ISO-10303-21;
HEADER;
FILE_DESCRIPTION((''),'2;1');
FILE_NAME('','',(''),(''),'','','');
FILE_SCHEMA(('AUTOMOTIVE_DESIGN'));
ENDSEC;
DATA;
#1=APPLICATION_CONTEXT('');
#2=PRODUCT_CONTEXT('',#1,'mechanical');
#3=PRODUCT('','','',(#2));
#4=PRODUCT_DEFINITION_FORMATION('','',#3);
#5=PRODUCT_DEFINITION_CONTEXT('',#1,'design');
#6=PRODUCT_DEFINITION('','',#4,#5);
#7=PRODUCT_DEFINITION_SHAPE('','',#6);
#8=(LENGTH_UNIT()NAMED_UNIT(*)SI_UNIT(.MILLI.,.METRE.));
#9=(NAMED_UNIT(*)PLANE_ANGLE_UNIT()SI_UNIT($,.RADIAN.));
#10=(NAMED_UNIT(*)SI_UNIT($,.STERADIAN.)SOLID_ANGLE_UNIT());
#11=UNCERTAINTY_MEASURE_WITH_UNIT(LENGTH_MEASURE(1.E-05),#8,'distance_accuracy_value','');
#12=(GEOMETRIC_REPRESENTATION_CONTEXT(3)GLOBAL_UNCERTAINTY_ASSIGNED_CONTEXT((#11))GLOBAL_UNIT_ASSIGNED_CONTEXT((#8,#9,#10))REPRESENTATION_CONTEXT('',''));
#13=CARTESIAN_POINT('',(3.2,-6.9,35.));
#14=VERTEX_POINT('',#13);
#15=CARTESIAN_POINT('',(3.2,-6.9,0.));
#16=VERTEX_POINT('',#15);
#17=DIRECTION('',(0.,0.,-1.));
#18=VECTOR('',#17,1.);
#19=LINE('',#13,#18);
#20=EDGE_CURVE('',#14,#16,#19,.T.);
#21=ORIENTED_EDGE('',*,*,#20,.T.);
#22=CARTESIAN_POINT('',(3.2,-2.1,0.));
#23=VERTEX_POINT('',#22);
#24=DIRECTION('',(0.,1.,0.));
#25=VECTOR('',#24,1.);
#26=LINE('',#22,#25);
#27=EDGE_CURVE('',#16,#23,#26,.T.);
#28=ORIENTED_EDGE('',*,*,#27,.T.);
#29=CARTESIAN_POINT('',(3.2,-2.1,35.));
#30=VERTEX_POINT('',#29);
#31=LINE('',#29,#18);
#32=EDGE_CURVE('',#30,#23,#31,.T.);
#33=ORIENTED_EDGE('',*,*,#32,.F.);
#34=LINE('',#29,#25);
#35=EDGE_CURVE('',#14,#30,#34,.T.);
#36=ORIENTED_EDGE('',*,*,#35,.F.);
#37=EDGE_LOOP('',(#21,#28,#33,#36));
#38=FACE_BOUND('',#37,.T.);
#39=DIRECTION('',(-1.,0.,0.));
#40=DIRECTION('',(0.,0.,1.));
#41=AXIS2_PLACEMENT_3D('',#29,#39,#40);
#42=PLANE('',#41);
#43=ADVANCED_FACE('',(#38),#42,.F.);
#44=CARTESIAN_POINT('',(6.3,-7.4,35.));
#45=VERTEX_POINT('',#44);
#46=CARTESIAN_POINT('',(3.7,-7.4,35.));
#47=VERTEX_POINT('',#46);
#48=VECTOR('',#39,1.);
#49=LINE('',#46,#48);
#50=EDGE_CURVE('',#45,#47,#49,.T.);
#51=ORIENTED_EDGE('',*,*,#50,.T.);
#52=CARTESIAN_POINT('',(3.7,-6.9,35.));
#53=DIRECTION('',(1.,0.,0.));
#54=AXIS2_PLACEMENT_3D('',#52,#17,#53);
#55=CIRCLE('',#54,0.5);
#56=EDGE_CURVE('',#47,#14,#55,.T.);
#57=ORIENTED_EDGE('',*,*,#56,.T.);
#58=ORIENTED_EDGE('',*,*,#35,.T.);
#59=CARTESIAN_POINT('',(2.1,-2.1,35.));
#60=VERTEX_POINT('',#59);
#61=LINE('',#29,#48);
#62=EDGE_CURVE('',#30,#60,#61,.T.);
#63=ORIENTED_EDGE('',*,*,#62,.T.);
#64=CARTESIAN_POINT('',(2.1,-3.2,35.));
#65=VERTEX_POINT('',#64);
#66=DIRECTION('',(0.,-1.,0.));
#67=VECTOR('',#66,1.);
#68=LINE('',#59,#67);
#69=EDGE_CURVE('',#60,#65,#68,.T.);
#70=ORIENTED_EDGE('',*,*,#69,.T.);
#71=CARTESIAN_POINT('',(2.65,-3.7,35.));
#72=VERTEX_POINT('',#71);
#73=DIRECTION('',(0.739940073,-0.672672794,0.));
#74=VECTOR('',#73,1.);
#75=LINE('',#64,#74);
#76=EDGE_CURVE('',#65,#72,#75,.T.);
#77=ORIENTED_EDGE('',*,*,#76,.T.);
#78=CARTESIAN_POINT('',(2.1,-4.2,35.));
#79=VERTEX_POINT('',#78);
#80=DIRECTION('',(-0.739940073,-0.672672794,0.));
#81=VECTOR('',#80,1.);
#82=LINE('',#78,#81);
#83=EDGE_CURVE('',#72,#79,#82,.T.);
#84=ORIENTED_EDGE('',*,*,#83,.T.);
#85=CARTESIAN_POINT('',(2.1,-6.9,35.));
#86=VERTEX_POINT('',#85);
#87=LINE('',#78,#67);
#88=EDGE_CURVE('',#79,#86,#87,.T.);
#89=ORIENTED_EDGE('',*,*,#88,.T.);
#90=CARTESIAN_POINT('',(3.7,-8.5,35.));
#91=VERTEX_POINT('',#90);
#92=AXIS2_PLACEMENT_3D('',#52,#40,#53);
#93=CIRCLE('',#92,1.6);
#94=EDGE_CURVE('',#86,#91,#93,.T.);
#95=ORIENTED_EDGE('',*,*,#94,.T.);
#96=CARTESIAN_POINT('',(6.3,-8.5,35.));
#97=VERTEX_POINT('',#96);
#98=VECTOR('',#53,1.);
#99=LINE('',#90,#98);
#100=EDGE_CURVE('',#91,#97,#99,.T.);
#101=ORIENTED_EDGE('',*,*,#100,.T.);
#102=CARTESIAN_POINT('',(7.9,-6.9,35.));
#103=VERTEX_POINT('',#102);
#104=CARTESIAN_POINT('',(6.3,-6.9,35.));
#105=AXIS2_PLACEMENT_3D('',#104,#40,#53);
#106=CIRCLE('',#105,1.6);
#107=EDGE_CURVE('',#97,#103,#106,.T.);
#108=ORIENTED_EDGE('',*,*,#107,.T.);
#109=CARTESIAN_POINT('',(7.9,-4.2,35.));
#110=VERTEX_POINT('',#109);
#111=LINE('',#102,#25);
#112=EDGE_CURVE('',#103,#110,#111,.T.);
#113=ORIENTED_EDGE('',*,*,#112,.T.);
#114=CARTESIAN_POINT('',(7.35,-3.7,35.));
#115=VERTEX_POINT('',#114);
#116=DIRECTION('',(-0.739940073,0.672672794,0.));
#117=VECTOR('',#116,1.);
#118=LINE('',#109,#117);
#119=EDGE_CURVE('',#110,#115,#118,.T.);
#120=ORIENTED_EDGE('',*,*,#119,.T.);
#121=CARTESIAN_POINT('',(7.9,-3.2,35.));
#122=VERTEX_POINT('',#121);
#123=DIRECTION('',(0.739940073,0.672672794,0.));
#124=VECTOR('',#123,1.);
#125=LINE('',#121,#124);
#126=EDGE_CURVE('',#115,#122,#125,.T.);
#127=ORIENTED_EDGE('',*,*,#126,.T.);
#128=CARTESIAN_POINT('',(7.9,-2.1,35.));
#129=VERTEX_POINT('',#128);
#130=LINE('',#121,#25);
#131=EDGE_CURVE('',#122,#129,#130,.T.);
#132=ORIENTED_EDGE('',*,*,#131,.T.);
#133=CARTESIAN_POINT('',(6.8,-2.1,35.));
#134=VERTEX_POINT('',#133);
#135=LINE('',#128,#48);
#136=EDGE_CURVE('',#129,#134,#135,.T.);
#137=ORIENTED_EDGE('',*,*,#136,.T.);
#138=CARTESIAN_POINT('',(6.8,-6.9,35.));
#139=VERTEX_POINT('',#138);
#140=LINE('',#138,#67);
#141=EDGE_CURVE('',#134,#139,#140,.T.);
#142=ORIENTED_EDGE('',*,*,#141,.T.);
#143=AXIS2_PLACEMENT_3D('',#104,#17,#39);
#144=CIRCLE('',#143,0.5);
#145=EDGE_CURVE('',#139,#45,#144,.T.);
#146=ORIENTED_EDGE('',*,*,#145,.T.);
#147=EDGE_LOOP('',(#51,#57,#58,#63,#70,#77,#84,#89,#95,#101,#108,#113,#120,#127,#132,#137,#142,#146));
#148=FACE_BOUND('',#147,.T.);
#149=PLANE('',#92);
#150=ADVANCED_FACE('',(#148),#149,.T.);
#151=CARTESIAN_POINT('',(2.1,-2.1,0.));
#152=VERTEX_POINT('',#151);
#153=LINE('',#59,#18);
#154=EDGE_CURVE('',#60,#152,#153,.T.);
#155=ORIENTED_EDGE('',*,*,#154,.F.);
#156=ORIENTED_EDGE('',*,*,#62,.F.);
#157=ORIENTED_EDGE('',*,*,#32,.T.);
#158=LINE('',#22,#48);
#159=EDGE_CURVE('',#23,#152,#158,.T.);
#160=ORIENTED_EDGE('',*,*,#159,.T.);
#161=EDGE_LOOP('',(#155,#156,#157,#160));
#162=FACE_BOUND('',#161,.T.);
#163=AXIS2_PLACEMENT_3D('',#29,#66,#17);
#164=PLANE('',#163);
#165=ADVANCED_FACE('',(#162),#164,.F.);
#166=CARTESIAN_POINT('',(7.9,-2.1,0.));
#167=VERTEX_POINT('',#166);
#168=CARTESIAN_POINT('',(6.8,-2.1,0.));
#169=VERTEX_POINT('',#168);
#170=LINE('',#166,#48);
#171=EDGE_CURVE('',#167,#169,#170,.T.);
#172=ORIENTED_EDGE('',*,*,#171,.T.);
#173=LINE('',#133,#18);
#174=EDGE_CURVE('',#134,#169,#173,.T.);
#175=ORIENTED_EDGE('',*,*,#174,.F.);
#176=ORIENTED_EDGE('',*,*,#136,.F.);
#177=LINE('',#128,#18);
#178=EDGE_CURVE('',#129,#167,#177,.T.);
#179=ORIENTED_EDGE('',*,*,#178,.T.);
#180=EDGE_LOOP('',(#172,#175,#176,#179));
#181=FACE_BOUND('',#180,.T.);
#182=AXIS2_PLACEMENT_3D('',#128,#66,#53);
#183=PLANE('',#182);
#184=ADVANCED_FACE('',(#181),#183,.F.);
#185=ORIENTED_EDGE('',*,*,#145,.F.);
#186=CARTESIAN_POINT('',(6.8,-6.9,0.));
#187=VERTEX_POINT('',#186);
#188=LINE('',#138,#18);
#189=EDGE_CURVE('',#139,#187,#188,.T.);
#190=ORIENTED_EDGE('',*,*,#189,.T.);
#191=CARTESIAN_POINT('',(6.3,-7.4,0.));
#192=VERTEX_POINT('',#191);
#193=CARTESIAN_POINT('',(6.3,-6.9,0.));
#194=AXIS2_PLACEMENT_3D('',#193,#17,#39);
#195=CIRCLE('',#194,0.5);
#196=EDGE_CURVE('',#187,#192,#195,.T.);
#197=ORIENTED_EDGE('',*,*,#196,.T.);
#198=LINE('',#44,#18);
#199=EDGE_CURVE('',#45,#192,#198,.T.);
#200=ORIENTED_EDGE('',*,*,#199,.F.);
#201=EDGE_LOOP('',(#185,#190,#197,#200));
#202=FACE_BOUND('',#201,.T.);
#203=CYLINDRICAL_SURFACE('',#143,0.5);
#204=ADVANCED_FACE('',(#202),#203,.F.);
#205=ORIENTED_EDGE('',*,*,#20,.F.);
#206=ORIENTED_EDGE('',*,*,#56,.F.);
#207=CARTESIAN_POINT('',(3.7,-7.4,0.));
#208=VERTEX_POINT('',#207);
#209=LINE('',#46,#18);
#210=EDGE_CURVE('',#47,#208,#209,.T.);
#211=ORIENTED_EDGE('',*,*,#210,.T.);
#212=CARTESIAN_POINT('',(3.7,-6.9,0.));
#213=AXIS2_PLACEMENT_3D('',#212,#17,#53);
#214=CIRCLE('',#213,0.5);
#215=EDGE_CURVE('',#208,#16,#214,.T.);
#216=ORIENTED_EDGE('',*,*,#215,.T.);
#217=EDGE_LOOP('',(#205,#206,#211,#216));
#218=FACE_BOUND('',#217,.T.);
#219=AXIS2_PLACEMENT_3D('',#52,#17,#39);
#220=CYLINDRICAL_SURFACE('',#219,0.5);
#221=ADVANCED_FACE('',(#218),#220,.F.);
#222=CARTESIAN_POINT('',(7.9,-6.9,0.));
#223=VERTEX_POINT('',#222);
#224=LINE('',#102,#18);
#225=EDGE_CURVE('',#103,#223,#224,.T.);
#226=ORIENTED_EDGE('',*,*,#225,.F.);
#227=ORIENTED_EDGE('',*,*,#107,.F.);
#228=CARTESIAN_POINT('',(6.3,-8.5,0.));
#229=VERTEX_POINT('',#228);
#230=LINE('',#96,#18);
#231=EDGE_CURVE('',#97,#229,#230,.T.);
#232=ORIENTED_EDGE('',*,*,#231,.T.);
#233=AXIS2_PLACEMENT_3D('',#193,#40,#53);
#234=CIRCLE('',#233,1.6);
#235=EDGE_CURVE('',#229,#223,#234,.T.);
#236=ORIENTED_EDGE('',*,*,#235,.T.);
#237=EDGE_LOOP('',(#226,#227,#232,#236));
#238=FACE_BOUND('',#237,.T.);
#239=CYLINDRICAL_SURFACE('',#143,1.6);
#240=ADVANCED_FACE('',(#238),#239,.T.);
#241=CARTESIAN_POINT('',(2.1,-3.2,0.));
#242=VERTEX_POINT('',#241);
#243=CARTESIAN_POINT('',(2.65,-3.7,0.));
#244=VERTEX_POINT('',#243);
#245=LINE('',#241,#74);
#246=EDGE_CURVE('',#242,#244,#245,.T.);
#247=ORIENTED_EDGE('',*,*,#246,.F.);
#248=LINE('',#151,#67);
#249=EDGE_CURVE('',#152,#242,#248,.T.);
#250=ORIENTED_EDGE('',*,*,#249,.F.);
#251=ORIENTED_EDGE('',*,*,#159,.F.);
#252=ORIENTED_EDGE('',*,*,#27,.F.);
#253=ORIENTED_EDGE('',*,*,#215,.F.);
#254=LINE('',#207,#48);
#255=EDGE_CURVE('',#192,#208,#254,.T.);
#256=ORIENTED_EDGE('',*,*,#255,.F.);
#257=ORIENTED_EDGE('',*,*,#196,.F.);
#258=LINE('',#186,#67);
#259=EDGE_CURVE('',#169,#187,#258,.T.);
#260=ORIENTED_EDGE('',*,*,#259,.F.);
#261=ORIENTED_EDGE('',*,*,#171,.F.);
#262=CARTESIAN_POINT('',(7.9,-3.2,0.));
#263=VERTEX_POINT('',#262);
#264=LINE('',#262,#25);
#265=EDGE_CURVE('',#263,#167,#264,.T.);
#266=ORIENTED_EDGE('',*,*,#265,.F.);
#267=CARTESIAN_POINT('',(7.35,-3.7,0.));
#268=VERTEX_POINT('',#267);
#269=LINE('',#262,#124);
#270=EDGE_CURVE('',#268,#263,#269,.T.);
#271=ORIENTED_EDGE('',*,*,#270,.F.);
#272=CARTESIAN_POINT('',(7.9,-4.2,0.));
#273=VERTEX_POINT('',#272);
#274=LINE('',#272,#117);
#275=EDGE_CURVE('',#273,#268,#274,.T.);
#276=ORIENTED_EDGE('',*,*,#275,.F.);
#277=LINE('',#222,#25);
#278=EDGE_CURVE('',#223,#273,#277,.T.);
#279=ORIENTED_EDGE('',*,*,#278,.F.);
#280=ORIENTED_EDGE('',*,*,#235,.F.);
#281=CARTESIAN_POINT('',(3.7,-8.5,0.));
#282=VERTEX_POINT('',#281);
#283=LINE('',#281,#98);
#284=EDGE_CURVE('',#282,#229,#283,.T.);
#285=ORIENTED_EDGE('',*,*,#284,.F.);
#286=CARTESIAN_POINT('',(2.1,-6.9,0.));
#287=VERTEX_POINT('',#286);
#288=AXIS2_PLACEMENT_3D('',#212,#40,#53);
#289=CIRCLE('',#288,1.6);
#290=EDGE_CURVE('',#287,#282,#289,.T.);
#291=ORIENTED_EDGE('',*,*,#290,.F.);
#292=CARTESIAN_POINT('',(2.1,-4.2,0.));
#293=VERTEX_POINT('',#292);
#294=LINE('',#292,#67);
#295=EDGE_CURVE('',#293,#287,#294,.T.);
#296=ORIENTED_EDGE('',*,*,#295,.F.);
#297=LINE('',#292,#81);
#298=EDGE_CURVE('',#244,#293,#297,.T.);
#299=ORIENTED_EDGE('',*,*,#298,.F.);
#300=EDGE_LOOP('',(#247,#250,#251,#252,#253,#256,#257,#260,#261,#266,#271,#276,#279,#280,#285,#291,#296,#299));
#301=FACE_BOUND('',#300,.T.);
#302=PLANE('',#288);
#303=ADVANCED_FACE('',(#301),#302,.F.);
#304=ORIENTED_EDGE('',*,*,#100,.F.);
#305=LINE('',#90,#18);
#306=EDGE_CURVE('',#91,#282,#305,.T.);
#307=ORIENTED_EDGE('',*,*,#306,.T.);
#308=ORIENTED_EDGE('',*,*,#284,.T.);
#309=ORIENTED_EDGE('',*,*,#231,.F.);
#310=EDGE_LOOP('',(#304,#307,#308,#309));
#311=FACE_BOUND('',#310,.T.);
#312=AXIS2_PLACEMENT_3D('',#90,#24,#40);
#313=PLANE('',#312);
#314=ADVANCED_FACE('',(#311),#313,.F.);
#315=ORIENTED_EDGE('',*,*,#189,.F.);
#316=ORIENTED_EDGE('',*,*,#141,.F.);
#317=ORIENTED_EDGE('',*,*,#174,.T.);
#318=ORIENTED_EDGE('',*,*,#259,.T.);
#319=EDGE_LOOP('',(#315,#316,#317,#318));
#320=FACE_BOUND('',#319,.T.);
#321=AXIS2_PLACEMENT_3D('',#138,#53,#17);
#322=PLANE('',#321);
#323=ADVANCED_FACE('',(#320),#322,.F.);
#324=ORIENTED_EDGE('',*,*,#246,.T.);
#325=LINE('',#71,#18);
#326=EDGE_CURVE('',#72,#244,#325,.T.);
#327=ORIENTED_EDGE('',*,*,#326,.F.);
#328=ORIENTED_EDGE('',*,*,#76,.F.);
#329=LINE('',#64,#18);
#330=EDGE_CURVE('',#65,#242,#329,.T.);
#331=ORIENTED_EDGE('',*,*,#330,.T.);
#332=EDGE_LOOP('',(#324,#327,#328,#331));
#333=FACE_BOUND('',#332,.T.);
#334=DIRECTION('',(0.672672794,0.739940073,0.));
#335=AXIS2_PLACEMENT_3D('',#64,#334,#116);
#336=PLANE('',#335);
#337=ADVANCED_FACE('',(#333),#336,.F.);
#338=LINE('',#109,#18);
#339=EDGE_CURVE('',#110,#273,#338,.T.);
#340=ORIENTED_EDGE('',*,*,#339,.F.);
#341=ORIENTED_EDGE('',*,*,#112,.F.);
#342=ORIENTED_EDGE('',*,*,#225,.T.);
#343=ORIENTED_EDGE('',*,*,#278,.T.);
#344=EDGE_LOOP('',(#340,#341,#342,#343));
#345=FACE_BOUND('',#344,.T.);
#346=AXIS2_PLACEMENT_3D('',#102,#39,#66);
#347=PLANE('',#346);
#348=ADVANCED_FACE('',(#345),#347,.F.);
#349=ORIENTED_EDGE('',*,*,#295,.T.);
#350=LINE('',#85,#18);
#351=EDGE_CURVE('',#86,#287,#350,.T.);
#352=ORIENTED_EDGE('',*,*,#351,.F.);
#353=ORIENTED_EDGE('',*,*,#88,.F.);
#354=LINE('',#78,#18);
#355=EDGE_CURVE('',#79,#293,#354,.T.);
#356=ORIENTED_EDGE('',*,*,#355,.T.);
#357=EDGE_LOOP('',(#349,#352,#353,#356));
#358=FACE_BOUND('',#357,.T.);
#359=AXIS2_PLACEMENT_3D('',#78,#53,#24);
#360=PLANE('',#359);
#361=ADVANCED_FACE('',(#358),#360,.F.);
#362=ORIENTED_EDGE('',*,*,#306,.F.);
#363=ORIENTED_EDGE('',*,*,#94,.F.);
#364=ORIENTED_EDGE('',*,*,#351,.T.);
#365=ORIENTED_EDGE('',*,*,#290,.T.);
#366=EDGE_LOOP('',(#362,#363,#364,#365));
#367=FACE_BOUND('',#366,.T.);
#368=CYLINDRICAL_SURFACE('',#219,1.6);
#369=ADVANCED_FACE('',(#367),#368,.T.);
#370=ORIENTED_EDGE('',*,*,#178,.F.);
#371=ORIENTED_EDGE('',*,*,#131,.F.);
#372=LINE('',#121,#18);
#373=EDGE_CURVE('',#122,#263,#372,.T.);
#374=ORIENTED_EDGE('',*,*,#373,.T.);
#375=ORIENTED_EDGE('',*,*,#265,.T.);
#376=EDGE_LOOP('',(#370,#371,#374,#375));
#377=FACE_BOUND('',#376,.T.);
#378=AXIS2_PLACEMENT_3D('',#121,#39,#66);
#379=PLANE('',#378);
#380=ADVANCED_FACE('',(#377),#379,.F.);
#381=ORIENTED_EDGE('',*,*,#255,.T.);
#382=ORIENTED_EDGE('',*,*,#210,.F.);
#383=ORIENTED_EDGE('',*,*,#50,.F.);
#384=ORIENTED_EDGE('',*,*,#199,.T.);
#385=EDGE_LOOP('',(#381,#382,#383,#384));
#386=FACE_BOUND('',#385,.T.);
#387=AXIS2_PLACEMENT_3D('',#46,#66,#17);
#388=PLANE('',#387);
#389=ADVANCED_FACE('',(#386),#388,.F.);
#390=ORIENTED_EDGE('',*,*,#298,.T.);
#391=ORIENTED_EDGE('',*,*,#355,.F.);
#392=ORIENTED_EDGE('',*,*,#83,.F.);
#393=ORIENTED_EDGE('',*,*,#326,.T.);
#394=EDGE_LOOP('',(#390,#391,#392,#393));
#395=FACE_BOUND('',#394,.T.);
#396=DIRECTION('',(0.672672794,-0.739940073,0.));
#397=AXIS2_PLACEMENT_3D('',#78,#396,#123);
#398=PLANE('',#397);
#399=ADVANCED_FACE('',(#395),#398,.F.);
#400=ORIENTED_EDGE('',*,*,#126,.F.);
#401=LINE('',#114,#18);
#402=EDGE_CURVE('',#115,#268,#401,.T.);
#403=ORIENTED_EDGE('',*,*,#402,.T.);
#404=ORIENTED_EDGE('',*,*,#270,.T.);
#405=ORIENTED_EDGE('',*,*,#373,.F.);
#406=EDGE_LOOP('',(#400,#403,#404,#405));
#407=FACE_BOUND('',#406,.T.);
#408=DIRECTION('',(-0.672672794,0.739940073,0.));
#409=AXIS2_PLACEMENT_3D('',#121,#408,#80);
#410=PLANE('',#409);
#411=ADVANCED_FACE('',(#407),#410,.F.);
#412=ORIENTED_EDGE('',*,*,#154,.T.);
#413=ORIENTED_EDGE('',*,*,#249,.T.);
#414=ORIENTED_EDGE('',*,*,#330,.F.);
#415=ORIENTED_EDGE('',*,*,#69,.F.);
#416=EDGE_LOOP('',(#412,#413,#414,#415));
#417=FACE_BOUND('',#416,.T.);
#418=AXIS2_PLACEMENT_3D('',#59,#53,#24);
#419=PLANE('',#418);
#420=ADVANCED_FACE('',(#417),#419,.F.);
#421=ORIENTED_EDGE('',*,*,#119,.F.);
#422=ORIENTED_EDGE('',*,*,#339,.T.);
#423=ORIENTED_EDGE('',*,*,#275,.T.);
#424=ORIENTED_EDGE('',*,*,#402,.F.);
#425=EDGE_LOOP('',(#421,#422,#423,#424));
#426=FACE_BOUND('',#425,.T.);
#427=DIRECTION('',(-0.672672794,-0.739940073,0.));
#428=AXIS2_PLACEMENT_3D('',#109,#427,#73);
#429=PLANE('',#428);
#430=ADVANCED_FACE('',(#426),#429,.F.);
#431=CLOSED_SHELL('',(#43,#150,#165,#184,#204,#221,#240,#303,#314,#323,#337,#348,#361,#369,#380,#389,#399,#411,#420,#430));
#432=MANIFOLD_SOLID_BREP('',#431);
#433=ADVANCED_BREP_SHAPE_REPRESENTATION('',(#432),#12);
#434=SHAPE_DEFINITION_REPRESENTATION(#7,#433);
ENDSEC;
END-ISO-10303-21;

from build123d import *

# Parameters (mm, degrees)
EXTRUSION1_DEPTH = 35


with BuildPart() as part:
    # Esquisse1 → Extrusion1 (new body)
    with BuildSketch(Plane.XY):
        with BuildLine():
            Line((6.8, -6.9), (6.8, -2.1))
            Line((6.8, -2.1), (7.9, -2.1))
            Line((7.9, -2.1), (7.9, -3.2))
            Line((7.9, -3.2), (7.35, -3.7))
            Line((7.35, -3.7), (7.9, -4.2))
            Line((7.9, -4.2), (7.9, -6.9))
            ThreePointArc((7.9, -6.9), (7.43137085, -8.03137085), (6.3, -8.5))
            Line((6.3, -8.5), (3.7, -8.5))
            ThreePointArc((3.7, -8.5), (2.56862915, -8.03137085), (2.1, -6.9))
            Line((2.1, -6.9), (2.1, -4.2))
            Line((2.1, -4.2), (2.65, -3.7))
            Line((2.65, -3.7), (2.1, -3.2))
            Line((2.1, -3.2), (2.1, -2.1))
            Line((2.1, -2.1), (3.2, -2.1))
            Line((3.2, -2.1), (3.2, -6.9))
            ThreePointArc((3.2, -6.9), (3.346446609, -7.253553391), (3.7, -7.4))
            Line((3.7, -7.4), (6.3, -7.4))
            ThreePointArc((6.3, -7.4), (6.653553391, -7.253553391), (6.8, -6.9))
        make_face()
    extrude(amount=EXTRUSION1_DEPTH)


solid = part.part
